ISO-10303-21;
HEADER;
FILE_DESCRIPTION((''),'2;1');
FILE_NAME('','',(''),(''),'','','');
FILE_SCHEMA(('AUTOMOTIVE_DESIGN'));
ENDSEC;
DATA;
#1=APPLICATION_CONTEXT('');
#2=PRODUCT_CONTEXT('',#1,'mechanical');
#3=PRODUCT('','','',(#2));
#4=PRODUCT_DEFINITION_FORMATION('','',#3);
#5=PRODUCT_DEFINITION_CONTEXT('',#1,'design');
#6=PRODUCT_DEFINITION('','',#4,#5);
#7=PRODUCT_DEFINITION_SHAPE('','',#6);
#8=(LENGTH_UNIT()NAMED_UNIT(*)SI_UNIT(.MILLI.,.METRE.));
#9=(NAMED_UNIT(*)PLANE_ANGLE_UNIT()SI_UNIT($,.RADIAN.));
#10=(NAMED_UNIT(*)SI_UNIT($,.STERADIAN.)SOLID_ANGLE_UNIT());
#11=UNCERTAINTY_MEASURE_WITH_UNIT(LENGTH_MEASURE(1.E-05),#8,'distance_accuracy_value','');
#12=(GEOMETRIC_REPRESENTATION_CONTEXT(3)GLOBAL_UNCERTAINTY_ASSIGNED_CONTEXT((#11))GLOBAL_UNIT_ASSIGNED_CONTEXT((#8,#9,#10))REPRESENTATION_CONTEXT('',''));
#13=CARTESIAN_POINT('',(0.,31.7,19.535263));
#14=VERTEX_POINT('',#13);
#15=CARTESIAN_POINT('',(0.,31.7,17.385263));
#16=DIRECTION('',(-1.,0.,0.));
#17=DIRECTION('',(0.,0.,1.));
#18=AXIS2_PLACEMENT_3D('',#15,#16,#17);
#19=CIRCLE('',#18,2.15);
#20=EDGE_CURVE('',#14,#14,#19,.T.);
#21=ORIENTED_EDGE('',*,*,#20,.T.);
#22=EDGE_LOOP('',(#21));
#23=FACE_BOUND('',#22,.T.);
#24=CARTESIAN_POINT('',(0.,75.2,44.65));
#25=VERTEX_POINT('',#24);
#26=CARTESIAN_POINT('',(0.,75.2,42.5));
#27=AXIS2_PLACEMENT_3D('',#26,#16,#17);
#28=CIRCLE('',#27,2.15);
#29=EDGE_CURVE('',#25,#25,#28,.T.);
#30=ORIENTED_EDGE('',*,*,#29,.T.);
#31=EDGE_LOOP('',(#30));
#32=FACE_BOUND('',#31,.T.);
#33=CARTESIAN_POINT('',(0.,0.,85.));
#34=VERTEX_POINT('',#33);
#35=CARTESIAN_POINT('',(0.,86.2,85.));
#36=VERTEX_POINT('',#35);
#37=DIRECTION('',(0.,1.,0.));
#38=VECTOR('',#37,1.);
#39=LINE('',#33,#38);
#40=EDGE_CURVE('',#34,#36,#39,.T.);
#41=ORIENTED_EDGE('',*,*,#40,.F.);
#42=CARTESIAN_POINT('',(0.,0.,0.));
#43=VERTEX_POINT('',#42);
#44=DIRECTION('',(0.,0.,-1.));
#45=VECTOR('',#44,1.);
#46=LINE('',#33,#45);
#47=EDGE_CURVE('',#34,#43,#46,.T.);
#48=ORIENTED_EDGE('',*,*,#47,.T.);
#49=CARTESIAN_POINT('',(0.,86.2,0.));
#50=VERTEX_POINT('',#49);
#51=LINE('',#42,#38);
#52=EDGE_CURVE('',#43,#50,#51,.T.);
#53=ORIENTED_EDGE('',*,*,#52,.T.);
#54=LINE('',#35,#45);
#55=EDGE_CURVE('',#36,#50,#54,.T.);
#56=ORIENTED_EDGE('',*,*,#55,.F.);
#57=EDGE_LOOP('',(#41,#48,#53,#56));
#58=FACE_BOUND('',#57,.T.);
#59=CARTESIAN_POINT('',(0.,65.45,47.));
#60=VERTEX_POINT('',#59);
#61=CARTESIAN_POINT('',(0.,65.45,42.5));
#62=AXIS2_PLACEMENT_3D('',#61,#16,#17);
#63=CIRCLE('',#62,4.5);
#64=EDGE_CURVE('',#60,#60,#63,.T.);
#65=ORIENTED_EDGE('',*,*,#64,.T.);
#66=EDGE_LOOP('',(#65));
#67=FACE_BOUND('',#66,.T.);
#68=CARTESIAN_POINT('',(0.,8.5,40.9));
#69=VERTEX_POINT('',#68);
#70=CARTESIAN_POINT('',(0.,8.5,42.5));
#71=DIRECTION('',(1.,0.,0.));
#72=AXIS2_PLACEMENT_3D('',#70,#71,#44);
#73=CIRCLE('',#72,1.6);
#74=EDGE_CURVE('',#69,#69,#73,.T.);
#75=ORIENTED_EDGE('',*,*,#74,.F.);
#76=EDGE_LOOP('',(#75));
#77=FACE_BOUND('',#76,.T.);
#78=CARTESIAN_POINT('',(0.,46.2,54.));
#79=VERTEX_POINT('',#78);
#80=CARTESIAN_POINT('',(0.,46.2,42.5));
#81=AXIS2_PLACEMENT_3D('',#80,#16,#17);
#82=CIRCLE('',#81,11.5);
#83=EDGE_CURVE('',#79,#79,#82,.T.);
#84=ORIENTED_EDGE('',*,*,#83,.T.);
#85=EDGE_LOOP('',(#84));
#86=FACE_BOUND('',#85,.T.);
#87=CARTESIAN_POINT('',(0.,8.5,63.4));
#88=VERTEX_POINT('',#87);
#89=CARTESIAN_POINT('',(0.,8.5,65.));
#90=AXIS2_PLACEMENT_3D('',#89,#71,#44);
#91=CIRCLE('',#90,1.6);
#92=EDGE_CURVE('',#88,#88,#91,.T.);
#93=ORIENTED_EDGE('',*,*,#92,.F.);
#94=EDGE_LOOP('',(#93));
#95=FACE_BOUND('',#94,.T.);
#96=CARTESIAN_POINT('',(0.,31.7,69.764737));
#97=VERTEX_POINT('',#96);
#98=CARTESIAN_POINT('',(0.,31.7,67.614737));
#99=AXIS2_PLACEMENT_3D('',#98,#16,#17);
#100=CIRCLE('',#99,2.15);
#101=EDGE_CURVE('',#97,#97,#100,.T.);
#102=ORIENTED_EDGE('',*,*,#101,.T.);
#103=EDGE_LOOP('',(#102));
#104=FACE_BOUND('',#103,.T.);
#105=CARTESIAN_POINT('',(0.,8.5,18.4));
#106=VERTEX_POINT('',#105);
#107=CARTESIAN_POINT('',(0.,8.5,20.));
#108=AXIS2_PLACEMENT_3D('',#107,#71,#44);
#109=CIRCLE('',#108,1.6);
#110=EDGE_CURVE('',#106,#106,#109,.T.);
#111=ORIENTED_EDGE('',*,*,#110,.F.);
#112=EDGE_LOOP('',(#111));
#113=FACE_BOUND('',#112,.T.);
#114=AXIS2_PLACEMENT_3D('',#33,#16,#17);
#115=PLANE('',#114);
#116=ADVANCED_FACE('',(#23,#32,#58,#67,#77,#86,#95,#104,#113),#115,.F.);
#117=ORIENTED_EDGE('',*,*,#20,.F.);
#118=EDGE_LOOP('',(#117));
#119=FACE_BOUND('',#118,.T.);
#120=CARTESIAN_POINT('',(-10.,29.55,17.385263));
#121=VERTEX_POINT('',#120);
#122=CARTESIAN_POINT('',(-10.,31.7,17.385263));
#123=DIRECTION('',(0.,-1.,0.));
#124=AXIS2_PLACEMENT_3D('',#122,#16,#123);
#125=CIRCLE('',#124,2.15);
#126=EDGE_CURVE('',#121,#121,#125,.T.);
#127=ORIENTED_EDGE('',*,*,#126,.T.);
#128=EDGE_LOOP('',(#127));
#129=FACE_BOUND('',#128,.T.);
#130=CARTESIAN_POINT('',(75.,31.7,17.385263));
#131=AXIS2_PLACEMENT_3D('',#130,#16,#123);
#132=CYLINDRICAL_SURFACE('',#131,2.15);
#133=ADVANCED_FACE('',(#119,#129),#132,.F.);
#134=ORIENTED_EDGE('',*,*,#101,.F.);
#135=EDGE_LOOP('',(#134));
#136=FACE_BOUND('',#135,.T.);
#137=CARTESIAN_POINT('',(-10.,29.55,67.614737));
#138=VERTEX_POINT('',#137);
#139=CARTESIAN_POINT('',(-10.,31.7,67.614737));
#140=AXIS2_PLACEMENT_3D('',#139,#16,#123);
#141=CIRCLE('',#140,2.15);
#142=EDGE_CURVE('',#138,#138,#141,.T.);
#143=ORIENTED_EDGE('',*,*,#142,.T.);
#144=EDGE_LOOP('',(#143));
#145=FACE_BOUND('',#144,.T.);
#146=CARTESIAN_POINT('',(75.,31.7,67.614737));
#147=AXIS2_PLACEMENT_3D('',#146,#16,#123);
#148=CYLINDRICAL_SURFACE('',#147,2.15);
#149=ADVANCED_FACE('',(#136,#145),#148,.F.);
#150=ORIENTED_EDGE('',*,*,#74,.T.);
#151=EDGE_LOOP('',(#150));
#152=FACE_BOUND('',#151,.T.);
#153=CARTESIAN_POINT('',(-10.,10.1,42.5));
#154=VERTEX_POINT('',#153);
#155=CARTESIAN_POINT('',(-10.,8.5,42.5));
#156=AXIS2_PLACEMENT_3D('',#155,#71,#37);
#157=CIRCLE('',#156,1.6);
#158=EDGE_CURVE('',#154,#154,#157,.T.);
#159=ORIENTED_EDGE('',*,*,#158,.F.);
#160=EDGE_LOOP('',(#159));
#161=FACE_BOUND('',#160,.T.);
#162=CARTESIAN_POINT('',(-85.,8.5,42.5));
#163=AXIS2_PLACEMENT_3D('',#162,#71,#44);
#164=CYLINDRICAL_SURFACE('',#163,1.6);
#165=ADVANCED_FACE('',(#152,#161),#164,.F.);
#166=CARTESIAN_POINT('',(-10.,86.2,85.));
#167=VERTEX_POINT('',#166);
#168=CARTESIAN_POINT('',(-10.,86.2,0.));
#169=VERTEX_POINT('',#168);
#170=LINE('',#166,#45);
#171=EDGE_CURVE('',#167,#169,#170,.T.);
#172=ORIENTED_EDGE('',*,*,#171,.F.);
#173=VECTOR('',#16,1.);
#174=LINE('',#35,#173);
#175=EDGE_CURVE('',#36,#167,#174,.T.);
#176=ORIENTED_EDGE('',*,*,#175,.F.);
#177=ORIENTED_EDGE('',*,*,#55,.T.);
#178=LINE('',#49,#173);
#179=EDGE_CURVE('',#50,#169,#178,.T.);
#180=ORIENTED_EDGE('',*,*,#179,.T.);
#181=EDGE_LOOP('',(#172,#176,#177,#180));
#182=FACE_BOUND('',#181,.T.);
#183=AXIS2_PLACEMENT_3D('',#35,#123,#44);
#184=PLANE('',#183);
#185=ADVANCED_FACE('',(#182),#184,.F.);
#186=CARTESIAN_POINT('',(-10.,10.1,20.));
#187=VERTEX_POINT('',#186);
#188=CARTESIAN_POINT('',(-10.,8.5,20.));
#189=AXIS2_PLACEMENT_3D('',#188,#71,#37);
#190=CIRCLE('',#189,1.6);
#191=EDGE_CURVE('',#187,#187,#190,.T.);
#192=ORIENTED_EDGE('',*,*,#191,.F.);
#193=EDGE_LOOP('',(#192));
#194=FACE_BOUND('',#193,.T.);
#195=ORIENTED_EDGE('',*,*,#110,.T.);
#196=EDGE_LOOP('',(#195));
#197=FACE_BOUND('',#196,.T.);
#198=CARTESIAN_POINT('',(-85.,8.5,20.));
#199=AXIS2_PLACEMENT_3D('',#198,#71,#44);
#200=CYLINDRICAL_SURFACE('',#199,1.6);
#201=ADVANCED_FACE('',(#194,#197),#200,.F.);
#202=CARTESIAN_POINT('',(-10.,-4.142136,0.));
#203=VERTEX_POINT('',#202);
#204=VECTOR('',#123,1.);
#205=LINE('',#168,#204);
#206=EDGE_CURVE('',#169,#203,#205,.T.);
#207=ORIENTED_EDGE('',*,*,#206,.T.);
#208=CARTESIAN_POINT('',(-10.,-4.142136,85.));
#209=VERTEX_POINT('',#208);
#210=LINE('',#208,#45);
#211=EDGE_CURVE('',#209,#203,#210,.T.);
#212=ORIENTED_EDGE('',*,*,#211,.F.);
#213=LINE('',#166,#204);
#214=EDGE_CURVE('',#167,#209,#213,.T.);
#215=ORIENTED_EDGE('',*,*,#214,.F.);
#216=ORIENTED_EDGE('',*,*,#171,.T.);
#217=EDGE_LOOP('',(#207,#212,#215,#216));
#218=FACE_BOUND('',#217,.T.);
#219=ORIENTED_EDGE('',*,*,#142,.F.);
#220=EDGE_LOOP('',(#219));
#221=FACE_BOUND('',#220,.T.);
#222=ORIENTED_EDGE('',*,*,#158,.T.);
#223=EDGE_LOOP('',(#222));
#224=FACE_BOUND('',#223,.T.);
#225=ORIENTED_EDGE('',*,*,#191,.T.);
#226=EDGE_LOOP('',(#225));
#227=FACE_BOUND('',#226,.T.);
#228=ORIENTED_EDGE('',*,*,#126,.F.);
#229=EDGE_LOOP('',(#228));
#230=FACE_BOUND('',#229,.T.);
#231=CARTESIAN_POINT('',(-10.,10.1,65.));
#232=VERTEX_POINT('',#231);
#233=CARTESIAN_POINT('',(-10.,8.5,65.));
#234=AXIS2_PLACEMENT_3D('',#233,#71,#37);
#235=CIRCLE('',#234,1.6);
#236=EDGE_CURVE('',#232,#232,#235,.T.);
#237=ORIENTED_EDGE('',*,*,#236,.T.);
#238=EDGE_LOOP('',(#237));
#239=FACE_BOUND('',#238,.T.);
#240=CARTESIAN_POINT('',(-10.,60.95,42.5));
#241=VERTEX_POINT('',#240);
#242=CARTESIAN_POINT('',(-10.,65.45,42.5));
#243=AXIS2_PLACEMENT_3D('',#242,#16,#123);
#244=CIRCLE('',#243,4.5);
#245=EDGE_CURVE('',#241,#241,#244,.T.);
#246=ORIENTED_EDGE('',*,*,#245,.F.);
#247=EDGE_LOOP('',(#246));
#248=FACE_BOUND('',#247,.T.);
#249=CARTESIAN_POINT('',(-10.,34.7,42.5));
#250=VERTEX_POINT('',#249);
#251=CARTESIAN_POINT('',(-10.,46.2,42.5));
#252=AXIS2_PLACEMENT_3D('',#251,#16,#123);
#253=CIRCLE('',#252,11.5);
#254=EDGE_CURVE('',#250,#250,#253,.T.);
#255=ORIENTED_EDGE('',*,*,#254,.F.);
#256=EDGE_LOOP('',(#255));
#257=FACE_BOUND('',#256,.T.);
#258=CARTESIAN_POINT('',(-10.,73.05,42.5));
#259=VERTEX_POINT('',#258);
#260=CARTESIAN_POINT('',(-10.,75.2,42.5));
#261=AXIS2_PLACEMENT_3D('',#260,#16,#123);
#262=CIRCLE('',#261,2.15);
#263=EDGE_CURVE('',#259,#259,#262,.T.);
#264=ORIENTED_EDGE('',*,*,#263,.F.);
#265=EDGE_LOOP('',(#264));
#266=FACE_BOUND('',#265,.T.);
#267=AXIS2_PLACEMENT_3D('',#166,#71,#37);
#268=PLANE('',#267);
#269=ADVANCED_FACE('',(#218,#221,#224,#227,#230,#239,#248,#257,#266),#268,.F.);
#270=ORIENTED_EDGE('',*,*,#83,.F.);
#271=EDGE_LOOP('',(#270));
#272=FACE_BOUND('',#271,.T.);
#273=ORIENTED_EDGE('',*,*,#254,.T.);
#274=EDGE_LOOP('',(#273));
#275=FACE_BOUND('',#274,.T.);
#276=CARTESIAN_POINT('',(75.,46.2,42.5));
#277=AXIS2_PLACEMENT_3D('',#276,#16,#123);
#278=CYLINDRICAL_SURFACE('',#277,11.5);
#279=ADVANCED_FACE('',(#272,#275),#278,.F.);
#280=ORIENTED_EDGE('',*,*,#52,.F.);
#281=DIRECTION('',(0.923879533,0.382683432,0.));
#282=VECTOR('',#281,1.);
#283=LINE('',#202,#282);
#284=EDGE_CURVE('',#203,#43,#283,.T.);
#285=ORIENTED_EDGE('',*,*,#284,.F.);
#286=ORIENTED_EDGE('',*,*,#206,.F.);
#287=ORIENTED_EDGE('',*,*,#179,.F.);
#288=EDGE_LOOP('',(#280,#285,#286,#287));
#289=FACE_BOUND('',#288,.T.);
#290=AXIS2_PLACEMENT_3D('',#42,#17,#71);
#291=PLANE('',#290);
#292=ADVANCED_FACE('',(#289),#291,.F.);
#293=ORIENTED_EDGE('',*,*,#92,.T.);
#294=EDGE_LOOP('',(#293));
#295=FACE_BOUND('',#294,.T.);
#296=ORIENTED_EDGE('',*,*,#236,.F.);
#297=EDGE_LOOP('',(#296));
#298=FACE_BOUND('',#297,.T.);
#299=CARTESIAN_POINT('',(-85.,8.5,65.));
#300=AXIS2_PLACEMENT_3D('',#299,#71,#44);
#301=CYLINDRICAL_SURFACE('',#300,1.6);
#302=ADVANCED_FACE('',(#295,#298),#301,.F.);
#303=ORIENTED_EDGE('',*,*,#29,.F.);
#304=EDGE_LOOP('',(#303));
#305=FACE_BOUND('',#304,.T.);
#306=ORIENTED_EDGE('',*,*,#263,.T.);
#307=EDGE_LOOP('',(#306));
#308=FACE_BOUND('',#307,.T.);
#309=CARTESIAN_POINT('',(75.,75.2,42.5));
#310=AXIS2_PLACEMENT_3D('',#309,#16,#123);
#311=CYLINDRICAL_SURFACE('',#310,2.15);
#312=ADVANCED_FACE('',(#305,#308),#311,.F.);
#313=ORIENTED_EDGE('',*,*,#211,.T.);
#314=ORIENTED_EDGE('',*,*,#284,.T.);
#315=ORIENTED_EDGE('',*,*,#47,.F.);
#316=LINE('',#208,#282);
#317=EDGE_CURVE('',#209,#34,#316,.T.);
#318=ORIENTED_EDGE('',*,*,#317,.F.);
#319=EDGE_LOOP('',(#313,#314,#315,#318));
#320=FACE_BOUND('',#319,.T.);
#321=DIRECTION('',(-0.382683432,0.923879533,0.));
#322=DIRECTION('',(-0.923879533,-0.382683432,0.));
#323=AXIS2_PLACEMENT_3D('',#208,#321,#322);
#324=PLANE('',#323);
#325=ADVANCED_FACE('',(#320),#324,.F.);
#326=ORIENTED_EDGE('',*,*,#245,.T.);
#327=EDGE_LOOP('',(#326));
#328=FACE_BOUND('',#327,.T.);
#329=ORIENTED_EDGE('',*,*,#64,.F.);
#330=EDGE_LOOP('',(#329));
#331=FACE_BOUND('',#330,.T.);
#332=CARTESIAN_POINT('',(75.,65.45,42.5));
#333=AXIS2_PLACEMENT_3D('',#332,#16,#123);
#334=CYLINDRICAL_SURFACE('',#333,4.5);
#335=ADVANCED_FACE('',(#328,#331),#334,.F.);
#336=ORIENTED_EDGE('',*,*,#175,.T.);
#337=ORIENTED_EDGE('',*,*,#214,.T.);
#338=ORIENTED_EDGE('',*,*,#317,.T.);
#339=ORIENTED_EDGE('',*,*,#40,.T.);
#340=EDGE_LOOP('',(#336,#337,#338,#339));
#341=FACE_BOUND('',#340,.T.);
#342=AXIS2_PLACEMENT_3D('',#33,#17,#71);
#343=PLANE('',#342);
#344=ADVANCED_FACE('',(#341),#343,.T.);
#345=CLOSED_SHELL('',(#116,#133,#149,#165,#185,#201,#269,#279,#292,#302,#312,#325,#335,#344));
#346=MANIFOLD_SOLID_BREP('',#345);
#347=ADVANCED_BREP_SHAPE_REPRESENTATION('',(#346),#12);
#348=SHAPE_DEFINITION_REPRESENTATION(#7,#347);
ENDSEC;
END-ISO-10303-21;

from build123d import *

# Parameters (mm, degrees)
BOSS_EXTRUDE1_DEPTH = 85
SKETCH3_R           = 11.5
SKETCH3_R_2         = 4.5
SKETCH3_R_3         = 2.15
CUT_EXTRUDE1_DEPTH  = 85
SKETCH4_R           = 1.6
CUT_EXTRUDE2_DEPTH  = 85


with BuildPart() as part:
    # Sketch2 → Boss-Extrude1 (new body)
    with BuildSketch(Plane.XY):
        Polygon((0, 0), (0, 86.2), (-10, 86.2), (-10, -4.142135624), align=None)
    extrude(amount=BOSS_EXTRUDE1_DEPTH)

    # Sketch3 → Cut-Extrude1 (cut)
    with BuildSketch(Plane.ZY.offset(10)):
        with Locations(Location((42.5, 46.2, 0), (0, 0, 270))):
            Circle(SKETCH3_R)
        with Locations(Location((42.5, 65.45, 0), (0, 0, 270))):
            Circle(SKETCH3_R_2)
        with Locations(Location((42.5, 75.2, 0), (0, 0, 270))):
            Circle(SKETCH3_R_3)
        with Locations(Location((67.61473671, 31.7, 0), (0, 0, 270))):
            Circle(SKETCH3_R_3)
        with Locations(Location((17.38526329, 31.7, 0), (0, 0, 270))):
            Circle(SKETCH3_R_3)
    extrude(amount=-CUT_EXTRUDE1_DEPTH, mode=Mode.SUBTRACT)

    # Sketch4 → Cut-Extrude2 (cut)
    with BuildSketch(Plane(origin=(0, 0, 0), x_dir=(0, 0, -1), z_dir=(1, 0, 0))):
        with Locations((-65, 8.5)):
            Circle(SKETCH4_R)
        with Locations((-20, 8.5)):
            Circle(SKETCH4_R)
        with Locations((-42.5, 8.5)):
            Circle(SKETCH4_R)
    extrude(amount=-CUT_EXTRUDE2_DEPTH, mode=Mode.SUBTRACT)


solid = part.part
